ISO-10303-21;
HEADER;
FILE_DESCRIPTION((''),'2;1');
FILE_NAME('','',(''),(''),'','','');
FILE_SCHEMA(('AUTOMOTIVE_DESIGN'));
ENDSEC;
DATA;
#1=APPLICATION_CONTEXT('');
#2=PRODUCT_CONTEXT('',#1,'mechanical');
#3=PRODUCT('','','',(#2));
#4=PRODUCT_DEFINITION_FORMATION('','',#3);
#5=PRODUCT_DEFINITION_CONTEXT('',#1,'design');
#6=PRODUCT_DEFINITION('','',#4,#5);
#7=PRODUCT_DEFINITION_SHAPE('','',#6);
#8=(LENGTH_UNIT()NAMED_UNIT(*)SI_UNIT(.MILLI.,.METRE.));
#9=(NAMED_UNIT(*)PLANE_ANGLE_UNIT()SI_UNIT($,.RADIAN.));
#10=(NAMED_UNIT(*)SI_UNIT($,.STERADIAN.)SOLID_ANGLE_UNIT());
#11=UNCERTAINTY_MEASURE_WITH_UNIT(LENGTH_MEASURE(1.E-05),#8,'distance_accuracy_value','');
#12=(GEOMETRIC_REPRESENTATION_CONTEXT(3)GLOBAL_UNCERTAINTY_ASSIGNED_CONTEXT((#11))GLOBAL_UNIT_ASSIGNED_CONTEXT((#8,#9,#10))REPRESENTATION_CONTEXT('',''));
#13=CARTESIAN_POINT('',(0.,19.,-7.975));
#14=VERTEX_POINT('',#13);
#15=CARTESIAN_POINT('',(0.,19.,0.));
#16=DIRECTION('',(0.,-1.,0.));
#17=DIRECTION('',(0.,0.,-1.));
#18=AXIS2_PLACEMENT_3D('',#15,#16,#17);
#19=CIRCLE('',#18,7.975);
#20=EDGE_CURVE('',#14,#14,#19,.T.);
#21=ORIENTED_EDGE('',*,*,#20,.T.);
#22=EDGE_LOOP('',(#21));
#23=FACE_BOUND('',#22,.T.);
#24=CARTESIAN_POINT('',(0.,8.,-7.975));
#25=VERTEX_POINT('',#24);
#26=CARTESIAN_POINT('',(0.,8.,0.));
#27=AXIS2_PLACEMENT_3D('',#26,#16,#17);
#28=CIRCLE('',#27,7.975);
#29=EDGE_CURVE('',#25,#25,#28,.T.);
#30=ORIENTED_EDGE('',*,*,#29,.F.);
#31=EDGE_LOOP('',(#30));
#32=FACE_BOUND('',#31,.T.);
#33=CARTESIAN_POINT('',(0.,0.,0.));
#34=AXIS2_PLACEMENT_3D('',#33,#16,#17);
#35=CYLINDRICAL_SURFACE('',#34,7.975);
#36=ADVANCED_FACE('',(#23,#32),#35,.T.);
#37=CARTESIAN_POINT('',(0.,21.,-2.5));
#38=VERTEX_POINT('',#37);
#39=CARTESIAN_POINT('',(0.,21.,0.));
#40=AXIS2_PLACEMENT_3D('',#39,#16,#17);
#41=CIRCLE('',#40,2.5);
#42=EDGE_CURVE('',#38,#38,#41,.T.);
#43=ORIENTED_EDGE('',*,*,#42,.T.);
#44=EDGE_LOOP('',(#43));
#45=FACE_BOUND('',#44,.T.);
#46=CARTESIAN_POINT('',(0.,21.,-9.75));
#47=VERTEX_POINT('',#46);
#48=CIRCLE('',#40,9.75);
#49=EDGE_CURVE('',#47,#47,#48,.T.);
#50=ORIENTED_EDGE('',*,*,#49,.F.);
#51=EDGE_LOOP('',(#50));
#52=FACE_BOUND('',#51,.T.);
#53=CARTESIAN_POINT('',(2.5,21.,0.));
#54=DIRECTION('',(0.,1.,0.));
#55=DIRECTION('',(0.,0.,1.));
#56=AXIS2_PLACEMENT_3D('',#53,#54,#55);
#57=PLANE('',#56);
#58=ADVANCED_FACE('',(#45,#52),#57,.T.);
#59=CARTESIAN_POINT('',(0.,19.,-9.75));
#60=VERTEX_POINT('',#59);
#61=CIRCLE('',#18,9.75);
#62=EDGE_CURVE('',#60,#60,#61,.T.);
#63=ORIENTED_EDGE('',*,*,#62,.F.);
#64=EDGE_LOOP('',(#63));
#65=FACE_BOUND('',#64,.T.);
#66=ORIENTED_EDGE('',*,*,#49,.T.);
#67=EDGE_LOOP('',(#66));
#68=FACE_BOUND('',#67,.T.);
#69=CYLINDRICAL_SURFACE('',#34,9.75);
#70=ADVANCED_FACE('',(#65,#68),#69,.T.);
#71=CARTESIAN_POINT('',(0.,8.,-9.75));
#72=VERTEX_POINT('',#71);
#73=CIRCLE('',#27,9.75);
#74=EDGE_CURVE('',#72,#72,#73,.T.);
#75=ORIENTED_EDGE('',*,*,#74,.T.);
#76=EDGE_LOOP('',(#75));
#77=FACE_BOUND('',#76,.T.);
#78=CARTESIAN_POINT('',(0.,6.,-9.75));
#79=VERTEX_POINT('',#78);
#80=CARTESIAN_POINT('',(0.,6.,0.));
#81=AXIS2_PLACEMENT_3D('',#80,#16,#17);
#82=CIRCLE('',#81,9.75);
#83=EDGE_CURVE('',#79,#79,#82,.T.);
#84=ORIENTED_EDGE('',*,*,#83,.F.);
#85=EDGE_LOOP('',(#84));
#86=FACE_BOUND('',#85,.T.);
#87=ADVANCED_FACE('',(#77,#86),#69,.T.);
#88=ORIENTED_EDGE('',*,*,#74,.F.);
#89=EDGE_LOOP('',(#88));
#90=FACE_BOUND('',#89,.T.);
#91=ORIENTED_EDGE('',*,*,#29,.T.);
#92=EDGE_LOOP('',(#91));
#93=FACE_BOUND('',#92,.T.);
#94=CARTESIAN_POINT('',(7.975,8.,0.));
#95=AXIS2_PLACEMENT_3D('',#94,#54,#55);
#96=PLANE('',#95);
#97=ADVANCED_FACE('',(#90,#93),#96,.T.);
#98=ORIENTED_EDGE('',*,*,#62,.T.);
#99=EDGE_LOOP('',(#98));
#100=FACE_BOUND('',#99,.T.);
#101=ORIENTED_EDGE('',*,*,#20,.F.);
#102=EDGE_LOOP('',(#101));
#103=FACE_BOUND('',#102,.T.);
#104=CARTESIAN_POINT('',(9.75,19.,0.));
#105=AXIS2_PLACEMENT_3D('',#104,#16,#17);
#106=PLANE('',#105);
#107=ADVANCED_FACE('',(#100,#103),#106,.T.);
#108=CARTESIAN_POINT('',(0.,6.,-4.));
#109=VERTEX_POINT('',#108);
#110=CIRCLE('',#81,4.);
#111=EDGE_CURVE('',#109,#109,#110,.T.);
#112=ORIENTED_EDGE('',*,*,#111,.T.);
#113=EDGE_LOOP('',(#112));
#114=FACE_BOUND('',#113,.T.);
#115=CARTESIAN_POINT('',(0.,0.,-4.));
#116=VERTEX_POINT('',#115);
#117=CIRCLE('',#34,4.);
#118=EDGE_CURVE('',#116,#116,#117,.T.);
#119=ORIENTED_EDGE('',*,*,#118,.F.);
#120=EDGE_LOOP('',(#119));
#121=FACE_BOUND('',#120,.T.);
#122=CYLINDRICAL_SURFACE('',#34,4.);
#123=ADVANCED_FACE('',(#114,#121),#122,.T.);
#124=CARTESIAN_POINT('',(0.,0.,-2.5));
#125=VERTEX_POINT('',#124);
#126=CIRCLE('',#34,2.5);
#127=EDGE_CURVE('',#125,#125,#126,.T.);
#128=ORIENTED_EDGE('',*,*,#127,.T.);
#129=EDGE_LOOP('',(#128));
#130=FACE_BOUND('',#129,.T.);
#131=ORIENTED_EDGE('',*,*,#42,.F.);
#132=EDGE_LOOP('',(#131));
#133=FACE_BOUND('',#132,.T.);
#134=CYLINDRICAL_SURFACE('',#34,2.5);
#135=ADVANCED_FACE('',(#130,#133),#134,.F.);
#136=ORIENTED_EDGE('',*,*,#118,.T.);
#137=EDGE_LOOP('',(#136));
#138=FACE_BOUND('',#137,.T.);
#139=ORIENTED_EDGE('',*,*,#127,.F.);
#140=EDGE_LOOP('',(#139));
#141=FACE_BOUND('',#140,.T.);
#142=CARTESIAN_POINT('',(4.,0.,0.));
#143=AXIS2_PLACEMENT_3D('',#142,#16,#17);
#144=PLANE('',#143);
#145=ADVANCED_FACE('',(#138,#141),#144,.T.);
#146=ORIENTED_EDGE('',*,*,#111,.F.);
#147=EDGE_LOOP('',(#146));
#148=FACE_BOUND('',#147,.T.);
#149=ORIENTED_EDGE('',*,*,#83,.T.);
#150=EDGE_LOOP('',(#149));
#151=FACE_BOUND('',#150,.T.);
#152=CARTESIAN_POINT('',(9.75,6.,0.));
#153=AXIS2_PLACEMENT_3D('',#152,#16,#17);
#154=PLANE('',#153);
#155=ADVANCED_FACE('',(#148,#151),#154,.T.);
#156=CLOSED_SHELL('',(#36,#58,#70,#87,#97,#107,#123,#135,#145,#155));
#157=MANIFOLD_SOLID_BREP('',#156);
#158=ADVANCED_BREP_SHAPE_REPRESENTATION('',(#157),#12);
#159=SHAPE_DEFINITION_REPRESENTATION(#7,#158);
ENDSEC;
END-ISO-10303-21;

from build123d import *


with BuildPart() as part:
    # Esquisse1 → Révolution1 (revolve)
    with BuildSketch(Plane.XY, mode=Mode.PRIVATE) as r_volution1_sk:
        Polygon((2.5, 0), (2.5, 21), (9.75, 21), (9.75, 19), (7.975, 19), (7.975, 8), (9.75, 8), (9.75, 6), (4, 6), (4, 0), align=None)
    revolve(r_volution1_sk.sketch.rotate(Axis((0, 0, 0), (0, 1, 0)), 90), axis=Axis((0, 0, 0), (0, 1, 0)))


solid = part.part
